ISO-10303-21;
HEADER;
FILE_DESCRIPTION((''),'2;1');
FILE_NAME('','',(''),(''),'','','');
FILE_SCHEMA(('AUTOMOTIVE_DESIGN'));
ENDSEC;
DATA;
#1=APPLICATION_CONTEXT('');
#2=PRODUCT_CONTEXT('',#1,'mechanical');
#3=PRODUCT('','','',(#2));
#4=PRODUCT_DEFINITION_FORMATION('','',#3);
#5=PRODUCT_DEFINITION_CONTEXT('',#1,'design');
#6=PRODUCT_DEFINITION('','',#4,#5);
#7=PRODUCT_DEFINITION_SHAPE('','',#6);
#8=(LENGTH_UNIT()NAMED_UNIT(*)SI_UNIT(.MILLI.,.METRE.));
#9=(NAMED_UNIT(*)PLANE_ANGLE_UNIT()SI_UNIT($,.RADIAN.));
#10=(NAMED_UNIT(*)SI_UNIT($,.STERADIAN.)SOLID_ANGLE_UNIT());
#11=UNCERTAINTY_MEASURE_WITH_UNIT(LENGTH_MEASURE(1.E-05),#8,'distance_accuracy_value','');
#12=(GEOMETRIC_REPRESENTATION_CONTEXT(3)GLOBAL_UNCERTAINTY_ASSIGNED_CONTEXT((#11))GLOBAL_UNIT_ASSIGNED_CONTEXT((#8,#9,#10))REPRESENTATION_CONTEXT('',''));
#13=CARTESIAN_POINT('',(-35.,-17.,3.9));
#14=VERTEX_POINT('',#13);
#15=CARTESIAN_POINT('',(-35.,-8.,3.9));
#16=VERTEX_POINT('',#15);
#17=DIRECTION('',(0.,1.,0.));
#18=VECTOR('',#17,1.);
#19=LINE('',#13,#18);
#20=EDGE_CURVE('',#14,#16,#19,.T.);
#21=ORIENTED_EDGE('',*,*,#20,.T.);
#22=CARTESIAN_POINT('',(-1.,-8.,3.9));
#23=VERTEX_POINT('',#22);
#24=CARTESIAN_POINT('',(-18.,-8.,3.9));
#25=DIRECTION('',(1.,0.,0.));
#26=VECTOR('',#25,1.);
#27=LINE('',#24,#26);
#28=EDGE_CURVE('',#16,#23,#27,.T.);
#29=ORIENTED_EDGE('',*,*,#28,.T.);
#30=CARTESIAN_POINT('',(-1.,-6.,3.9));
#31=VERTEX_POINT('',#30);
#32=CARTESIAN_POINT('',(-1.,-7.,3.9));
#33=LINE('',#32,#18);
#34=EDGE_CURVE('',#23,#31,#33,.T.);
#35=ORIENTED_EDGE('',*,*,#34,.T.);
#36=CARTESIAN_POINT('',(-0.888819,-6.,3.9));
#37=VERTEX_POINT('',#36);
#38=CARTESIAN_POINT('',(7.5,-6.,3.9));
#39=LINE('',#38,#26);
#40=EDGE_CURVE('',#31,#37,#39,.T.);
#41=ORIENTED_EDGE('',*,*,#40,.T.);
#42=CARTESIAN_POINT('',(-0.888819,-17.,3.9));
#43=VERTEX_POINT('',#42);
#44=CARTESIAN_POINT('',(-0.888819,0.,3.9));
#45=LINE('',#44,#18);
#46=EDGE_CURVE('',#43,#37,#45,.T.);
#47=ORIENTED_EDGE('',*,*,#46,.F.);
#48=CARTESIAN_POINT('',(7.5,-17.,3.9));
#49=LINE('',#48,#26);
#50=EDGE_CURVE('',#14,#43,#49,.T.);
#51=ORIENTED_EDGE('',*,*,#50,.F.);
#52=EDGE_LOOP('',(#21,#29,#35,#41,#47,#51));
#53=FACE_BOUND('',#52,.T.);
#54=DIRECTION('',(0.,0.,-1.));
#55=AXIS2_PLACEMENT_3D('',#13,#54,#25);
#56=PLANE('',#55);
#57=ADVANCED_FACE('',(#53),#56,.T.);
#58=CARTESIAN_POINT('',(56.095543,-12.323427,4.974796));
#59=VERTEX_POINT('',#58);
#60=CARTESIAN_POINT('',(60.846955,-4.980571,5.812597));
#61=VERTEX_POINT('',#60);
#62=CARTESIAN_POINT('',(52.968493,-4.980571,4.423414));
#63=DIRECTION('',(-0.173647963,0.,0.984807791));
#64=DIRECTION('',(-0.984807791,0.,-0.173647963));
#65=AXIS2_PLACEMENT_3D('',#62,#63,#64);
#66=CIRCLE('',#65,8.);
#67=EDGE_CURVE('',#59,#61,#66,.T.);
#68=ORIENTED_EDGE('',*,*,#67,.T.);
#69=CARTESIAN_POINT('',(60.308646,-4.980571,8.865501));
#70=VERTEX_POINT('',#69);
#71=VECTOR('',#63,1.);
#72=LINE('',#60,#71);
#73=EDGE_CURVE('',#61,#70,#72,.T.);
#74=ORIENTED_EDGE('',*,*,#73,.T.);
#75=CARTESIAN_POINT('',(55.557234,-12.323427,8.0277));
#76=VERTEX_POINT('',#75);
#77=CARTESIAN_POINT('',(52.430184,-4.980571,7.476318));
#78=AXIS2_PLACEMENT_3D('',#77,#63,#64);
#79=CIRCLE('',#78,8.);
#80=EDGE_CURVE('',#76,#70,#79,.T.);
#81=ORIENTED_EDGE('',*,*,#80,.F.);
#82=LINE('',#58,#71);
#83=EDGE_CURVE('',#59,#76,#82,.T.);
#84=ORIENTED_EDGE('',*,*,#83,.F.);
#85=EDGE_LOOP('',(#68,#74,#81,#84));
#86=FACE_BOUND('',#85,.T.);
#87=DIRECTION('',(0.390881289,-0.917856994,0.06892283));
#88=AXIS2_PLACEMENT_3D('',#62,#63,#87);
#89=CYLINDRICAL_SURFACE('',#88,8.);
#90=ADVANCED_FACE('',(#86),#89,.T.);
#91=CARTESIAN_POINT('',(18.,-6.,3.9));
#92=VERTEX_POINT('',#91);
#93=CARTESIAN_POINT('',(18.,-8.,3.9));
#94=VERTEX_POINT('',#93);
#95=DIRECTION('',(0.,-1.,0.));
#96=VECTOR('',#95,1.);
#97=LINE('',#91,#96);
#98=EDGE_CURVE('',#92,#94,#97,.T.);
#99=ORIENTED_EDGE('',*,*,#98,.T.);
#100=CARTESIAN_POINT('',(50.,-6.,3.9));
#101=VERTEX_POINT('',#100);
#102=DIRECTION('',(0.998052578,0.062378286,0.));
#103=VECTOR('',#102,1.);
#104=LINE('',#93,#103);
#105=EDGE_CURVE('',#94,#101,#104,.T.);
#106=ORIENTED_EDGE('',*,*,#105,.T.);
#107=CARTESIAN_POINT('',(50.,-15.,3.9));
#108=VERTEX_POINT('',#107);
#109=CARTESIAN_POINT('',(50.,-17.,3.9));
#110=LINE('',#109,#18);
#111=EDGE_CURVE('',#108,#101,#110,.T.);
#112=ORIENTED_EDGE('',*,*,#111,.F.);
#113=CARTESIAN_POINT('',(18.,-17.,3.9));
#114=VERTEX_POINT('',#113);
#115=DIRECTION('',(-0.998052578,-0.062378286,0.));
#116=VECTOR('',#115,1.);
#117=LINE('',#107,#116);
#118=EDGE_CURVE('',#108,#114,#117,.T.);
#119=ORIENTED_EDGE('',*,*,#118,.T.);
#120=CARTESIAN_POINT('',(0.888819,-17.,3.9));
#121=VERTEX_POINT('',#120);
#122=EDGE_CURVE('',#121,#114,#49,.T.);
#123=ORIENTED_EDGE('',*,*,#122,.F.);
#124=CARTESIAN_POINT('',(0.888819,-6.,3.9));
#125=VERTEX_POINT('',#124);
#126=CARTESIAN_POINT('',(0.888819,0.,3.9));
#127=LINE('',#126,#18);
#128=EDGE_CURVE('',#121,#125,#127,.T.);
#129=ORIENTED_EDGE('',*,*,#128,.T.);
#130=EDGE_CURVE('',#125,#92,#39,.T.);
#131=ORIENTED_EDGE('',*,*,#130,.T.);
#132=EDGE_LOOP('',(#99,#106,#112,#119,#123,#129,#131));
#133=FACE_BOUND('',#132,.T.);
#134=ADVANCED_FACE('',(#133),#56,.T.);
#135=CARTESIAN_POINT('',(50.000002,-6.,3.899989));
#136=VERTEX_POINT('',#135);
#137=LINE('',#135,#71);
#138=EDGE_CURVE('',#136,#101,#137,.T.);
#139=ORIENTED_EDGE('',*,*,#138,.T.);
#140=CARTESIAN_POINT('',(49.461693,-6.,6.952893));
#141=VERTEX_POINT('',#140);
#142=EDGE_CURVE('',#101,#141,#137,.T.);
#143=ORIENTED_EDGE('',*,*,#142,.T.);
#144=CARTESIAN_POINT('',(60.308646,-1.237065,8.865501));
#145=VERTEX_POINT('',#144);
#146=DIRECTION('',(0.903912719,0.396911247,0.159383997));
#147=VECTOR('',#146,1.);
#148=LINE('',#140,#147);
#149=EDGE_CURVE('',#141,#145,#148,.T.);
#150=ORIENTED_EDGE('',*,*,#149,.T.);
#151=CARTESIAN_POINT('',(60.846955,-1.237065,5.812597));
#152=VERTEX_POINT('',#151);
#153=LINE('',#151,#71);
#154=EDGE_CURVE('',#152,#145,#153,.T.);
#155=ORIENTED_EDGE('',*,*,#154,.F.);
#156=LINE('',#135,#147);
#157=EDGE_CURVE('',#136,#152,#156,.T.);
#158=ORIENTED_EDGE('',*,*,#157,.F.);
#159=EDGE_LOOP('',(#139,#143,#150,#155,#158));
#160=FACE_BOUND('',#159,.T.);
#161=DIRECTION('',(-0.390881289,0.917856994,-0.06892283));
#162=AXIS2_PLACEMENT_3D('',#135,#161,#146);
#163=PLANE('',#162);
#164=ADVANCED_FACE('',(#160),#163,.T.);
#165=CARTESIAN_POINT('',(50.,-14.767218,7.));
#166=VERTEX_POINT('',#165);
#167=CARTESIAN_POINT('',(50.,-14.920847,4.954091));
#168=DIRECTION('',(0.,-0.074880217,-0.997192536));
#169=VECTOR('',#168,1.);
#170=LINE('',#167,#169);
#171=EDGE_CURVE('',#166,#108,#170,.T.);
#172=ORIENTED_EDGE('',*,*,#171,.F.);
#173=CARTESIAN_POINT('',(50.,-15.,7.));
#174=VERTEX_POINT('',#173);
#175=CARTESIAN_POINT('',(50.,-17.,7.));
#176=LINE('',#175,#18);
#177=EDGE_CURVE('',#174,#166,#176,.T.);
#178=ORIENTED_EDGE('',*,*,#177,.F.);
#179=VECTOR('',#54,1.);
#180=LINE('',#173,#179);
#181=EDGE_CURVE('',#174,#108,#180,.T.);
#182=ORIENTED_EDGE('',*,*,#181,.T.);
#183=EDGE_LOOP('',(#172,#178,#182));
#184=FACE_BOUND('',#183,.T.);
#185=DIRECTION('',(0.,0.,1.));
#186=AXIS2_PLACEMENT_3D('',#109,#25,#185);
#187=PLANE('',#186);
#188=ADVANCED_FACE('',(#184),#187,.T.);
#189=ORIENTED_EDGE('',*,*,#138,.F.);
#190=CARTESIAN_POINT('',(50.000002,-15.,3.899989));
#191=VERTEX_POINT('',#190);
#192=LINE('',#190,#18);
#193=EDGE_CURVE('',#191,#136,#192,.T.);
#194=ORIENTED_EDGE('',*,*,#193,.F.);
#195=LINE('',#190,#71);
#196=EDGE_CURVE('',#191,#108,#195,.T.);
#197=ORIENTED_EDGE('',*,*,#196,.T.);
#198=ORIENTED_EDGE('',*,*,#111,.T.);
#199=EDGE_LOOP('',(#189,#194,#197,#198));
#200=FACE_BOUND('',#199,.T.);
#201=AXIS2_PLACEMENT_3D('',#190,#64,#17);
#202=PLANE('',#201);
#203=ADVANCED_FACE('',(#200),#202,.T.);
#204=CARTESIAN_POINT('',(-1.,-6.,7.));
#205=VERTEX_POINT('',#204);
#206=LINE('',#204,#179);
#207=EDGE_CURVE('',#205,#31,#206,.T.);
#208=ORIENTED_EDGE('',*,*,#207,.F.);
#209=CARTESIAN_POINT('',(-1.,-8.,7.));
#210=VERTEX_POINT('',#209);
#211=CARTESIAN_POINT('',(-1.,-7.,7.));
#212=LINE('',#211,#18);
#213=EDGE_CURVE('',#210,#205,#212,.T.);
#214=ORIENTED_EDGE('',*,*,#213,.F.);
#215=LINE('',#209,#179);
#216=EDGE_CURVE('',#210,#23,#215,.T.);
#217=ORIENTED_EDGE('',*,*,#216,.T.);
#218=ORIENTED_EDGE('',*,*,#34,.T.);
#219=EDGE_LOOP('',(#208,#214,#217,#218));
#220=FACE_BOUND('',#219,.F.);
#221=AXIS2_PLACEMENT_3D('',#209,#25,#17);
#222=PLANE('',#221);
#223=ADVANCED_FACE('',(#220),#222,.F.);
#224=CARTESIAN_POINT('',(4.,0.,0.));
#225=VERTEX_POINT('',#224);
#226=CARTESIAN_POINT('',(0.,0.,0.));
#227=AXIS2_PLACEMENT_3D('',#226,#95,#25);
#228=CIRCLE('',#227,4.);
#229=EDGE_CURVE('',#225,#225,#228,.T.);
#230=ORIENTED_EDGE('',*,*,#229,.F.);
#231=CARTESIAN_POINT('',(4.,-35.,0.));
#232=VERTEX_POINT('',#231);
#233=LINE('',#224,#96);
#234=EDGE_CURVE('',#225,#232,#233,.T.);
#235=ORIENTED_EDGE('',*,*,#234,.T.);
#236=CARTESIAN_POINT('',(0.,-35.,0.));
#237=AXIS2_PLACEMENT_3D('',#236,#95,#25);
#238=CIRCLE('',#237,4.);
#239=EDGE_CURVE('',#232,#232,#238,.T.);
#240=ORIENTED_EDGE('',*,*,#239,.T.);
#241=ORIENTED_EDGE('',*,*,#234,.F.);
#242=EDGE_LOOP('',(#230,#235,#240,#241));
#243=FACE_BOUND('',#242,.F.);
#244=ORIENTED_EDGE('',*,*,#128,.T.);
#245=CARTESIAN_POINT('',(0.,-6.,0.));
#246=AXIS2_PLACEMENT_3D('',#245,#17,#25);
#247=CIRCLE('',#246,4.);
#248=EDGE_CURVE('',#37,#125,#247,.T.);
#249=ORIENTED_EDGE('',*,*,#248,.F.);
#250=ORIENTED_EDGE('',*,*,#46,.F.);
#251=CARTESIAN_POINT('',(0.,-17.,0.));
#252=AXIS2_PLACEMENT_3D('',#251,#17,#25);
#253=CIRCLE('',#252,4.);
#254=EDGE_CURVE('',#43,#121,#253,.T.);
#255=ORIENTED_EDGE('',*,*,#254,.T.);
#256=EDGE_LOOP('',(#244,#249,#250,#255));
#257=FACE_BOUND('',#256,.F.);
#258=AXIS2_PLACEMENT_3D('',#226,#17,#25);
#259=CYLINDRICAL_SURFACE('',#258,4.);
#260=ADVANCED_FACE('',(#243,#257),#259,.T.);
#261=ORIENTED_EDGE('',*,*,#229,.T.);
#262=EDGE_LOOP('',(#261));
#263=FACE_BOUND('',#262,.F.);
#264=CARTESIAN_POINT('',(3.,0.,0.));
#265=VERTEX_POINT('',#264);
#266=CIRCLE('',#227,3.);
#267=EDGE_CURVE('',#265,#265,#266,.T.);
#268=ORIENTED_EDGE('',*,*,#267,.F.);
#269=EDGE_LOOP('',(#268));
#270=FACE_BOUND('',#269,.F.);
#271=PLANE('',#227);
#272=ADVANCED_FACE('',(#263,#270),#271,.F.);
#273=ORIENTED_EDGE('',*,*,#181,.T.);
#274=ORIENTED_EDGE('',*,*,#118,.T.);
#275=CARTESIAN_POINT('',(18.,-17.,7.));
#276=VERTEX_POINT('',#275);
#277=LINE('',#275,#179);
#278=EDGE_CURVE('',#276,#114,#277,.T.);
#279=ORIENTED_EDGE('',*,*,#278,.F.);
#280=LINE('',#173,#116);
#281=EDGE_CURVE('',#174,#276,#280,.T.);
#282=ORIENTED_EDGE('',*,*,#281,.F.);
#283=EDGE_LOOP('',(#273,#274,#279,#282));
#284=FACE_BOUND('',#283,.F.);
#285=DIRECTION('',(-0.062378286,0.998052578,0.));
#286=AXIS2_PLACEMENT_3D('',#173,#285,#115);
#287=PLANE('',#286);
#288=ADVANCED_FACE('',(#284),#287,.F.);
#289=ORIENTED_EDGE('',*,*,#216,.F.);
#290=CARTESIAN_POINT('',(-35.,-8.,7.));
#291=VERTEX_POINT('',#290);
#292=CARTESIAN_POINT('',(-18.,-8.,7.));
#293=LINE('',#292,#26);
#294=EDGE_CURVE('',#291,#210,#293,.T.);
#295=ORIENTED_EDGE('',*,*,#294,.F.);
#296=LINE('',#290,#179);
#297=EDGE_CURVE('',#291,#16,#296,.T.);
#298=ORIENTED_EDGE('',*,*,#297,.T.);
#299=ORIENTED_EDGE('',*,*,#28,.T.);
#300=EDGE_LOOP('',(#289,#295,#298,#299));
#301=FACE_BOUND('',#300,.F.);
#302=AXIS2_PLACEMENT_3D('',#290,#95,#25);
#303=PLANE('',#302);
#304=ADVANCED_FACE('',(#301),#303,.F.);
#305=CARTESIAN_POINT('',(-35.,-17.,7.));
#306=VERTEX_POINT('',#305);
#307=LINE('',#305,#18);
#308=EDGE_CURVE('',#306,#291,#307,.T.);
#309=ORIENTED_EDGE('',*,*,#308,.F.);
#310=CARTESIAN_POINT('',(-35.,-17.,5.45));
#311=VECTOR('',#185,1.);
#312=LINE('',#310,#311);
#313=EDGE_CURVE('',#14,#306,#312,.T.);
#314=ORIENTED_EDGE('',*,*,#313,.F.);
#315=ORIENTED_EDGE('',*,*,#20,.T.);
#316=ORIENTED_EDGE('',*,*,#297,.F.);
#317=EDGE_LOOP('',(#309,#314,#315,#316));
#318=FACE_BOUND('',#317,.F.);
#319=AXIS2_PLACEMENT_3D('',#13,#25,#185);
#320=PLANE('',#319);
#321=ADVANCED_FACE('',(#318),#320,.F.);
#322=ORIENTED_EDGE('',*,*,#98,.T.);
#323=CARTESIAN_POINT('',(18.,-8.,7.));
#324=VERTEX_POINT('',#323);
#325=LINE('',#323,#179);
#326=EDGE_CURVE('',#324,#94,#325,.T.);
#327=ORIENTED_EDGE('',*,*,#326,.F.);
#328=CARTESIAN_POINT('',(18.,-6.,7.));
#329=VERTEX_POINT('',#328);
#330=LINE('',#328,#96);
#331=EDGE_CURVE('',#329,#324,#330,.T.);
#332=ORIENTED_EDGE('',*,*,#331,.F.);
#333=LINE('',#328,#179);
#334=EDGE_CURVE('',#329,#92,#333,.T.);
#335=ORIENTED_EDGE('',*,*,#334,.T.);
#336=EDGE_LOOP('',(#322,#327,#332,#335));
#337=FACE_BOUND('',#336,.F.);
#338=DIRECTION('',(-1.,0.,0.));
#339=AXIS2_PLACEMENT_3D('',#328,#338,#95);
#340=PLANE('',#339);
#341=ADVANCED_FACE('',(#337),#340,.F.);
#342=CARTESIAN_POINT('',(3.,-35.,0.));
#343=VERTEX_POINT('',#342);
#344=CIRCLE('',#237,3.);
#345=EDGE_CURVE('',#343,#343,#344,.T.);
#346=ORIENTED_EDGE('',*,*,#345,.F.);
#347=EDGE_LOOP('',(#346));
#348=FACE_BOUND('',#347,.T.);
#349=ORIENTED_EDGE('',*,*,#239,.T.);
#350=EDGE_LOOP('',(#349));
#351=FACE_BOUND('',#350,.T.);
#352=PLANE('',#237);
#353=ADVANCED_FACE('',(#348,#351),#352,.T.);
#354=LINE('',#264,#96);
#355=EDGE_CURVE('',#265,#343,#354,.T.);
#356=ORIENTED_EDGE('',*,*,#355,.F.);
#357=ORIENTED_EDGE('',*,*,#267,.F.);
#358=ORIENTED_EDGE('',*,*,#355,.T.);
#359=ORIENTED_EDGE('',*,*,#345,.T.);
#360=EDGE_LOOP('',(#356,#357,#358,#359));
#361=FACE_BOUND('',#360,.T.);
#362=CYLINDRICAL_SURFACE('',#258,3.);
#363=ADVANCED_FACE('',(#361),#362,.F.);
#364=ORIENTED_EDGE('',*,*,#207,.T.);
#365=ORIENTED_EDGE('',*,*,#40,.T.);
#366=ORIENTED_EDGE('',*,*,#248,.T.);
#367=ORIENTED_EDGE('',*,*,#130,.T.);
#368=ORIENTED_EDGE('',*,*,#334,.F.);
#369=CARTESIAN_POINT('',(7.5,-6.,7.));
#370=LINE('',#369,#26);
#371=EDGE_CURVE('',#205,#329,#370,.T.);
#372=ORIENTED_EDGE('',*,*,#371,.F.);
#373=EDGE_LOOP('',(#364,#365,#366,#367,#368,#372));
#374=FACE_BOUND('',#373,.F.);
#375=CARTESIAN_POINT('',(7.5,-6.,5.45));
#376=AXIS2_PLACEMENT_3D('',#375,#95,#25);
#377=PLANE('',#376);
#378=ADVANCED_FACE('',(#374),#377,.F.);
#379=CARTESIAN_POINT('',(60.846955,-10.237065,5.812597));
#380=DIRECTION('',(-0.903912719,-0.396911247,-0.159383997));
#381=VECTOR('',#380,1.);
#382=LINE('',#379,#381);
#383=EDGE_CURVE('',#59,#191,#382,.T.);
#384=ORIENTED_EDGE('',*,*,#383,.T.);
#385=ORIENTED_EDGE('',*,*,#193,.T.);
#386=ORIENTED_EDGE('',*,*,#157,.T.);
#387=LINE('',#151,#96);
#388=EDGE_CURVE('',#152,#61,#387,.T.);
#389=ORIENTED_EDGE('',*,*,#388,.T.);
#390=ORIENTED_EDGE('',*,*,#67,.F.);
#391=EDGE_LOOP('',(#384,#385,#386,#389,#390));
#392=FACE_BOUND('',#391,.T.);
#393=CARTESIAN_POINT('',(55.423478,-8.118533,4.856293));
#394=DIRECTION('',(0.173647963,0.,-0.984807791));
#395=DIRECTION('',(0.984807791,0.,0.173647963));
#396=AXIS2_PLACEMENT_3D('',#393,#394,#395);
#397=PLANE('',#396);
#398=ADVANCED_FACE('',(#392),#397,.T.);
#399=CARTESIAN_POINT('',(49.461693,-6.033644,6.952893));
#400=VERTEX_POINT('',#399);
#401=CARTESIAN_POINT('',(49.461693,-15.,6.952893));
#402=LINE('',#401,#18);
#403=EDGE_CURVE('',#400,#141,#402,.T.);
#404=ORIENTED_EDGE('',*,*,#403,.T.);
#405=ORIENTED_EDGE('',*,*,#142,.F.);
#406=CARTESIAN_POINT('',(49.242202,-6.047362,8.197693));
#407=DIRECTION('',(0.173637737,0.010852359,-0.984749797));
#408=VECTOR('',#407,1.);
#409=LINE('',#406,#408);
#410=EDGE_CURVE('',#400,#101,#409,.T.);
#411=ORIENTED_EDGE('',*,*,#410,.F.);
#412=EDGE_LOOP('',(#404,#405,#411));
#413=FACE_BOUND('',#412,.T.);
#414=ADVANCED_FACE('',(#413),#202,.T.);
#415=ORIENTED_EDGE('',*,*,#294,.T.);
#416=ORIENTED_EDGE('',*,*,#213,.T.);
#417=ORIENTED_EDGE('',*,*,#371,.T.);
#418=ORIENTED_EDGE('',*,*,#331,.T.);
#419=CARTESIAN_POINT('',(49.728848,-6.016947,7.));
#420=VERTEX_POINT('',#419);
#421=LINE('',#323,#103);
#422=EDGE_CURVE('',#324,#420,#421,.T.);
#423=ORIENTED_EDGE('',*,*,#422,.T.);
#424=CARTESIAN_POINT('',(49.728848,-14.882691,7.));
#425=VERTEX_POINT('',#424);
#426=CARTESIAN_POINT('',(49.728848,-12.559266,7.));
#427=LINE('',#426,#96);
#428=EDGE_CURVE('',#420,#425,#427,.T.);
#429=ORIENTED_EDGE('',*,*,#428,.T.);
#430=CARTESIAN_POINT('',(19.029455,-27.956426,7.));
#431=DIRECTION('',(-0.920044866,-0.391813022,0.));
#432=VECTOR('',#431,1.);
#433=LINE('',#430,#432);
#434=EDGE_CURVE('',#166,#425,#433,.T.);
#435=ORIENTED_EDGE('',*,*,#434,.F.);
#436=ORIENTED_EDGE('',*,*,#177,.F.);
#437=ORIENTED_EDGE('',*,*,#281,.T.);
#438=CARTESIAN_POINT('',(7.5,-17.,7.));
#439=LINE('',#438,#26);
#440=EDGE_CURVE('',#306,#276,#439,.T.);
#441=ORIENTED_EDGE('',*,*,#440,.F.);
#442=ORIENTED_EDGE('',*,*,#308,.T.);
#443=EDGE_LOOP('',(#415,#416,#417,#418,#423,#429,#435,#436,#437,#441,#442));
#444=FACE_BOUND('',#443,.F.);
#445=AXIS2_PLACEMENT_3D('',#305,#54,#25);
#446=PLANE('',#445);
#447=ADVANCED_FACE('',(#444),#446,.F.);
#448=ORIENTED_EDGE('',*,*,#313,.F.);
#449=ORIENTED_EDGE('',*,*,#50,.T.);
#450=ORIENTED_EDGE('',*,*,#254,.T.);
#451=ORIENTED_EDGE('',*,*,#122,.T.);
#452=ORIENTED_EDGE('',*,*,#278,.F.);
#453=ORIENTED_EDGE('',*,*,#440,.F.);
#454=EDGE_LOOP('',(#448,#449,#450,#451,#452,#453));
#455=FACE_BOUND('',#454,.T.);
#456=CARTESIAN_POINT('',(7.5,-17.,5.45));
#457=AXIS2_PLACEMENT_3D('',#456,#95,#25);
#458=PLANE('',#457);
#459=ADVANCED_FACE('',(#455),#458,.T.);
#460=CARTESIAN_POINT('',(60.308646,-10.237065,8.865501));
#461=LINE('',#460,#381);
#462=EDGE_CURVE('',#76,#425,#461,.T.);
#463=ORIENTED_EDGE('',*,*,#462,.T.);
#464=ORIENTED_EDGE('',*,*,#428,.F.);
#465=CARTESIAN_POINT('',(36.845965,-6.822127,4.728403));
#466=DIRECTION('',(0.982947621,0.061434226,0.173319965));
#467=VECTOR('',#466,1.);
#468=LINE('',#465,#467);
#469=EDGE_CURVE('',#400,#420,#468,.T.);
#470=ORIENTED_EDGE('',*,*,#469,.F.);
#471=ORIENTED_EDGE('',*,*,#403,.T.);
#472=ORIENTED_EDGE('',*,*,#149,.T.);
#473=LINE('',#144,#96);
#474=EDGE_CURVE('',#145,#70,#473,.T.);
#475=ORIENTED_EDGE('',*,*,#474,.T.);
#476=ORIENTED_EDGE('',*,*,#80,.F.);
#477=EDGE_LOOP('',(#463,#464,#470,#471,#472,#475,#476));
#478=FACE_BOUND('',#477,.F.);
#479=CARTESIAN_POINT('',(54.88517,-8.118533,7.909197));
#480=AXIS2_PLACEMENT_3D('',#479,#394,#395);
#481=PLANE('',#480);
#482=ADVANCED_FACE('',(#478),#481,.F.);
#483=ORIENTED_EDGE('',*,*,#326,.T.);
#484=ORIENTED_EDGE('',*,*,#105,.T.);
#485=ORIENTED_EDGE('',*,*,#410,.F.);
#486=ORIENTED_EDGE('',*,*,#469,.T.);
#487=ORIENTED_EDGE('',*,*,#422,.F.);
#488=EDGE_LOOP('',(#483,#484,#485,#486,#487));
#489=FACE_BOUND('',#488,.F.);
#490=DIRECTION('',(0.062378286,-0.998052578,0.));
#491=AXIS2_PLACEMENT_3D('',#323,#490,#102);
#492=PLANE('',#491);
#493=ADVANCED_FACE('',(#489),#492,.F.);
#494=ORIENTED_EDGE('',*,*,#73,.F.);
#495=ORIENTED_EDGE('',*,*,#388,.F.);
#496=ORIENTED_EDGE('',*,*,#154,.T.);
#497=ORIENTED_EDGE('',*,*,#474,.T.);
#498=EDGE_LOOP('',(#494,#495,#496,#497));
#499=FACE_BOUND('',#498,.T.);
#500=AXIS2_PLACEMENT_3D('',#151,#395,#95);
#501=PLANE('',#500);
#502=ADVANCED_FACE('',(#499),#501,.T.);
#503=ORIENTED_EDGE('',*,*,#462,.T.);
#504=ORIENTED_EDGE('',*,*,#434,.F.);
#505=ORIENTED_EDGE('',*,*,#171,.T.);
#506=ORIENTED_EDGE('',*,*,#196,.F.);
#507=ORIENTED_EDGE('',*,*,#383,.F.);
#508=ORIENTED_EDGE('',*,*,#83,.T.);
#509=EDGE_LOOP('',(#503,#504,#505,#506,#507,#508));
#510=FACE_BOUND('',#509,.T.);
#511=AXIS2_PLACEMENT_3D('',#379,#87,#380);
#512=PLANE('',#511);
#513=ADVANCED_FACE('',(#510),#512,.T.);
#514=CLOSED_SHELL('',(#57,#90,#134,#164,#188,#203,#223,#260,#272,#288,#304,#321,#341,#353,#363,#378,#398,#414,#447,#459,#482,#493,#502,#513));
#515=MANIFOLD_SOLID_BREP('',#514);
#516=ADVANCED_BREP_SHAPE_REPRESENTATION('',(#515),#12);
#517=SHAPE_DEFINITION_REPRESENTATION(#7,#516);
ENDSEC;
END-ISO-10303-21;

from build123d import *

# Parameters (mm, degrees)
F0_R     = 4
F0_R_2   = 3
F1_DEPTH = 35
F3_W     = 85
F3_H     = 3.1
F4_DEPTH = 11
F5_W     = 34
F5_H     = 2
F6_DEPTH = 3.1
F9_DEPTH = 3.1
F10_R    = 8


with BuildPart() as f1:
    # F0 (on Front) → F1 (new body)
    with BuildSketch(Plane.XZ):
        Circle(F0_R)
        Circle(F0_R_2, mode=Mode.SUBTRACT)
    extrude(amount=F1_DEPTH)

    # F3 (on offset) → F4 (join)
    with BuildSketch(Plane.XZ.offset(17)):
        with Locations((7.5, 5.45)):
            Rectangle(F3_W, F3_H)
    extrude(amount=-F4_DEPTH)

    # F5 (on face) → F6 (cut)
    with BuildSketch(Plane.XY.offset(7)):
        with Locations((-18, -7)):
            Rectangle(F5_W, F5_H)
        Polygon((50, -6), (18, -6), (18, -8), align=None)
        Polygon((50, -15), (18, -17), (50, -17), align=None)
    extrude(amount=-F6_DEPTH, mode=Mode.SUBTRACT)

    # F8 (on face) → F9 (join)
    with BuildSketch(Plane(origin=(0.840745, 0, -4.768103), x_dir=(0.984808, 0, 0.173648), z_dir=(0.173648, 0, -0.984808))):
        Polygon((60.9319, 10.237065), (49.917616, 15), (49.917616, 6), (60.9319, 1.237065), align=None)
    extrude(amount=-F9_DEPTH)

    # F10
    f10_edges = [f1.edges().sort_by_distance(p)[0] for p in [
        (60.577798, -10.237065, 7.339062),
    ]]
    fillet(f10_edges, radius=F10_R)


solid = f1.part
